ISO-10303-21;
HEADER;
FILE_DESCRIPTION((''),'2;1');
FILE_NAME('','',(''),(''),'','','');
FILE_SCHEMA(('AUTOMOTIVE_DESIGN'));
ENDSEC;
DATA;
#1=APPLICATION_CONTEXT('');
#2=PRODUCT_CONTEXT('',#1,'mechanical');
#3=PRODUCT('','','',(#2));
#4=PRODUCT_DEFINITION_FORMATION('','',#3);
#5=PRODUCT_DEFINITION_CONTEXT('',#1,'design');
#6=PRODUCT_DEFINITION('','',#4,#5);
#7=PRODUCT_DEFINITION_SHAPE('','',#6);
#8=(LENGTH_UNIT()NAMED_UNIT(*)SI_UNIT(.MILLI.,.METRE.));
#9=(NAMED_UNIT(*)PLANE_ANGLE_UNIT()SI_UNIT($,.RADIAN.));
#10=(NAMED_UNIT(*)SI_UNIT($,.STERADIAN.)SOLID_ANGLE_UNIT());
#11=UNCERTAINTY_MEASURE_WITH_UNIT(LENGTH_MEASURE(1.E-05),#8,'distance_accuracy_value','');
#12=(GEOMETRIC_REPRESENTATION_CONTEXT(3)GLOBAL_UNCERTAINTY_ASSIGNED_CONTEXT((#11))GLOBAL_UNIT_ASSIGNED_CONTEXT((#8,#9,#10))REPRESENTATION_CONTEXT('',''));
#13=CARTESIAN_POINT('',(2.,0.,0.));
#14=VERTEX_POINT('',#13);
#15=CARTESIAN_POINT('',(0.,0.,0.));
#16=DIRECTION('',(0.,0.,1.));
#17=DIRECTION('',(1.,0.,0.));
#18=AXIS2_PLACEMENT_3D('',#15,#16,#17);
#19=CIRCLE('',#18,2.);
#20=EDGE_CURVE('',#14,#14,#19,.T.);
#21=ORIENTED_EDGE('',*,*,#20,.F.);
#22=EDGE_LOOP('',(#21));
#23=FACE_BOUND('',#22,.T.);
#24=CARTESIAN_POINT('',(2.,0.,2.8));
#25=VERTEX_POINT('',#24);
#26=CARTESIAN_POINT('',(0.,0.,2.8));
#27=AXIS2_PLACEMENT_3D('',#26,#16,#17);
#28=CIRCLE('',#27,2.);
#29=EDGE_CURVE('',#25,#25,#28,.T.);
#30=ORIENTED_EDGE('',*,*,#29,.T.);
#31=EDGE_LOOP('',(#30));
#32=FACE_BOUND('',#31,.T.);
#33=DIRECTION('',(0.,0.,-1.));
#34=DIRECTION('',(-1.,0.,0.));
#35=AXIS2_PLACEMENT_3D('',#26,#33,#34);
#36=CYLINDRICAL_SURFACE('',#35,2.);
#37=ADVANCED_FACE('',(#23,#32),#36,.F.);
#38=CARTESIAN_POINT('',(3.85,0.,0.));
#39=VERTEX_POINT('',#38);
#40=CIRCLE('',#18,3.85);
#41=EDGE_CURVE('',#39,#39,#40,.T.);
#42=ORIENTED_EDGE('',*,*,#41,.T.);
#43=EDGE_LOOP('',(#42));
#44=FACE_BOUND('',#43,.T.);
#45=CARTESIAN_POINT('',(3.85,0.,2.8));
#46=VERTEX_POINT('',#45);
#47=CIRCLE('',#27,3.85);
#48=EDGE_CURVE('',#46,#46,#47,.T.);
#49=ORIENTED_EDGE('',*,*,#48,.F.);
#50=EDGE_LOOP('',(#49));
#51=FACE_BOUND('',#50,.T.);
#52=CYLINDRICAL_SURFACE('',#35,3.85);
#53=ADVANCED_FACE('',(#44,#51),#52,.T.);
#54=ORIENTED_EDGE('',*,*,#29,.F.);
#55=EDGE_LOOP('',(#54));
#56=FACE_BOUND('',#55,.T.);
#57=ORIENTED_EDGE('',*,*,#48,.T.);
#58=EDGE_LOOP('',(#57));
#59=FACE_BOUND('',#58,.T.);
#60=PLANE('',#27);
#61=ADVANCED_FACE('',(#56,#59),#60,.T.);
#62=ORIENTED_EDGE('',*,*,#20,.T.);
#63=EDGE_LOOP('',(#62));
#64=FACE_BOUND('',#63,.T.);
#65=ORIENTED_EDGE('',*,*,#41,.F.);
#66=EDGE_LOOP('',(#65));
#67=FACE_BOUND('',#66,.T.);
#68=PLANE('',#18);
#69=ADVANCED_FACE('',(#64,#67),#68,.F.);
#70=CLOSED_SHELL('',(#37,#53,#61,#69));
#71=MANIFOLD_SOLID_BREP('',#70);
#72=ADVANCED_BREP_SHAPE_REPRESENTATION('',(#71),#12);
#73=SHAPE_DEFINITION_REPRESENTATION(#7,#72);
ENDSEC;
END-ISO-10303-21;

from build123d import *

# Parameters (mm, degrees)
SKETCH_1_R      = 3.85
SKETCH_1_R_2    = 2
EXTRUDE_1_DEPTH = 2.8


with BuildPart() as part:
    # 草圖1 → 填料-伸長1 (new body)
    with BuildSketch(Plane.XY):
        Circle(SKETCH_1_R)
        Circle(SKETCH_1_R_2, mode=Mode.SUBTRACT)
    extrude(amount=EXTRUDE_1_DEPTH)


solid = part.part
